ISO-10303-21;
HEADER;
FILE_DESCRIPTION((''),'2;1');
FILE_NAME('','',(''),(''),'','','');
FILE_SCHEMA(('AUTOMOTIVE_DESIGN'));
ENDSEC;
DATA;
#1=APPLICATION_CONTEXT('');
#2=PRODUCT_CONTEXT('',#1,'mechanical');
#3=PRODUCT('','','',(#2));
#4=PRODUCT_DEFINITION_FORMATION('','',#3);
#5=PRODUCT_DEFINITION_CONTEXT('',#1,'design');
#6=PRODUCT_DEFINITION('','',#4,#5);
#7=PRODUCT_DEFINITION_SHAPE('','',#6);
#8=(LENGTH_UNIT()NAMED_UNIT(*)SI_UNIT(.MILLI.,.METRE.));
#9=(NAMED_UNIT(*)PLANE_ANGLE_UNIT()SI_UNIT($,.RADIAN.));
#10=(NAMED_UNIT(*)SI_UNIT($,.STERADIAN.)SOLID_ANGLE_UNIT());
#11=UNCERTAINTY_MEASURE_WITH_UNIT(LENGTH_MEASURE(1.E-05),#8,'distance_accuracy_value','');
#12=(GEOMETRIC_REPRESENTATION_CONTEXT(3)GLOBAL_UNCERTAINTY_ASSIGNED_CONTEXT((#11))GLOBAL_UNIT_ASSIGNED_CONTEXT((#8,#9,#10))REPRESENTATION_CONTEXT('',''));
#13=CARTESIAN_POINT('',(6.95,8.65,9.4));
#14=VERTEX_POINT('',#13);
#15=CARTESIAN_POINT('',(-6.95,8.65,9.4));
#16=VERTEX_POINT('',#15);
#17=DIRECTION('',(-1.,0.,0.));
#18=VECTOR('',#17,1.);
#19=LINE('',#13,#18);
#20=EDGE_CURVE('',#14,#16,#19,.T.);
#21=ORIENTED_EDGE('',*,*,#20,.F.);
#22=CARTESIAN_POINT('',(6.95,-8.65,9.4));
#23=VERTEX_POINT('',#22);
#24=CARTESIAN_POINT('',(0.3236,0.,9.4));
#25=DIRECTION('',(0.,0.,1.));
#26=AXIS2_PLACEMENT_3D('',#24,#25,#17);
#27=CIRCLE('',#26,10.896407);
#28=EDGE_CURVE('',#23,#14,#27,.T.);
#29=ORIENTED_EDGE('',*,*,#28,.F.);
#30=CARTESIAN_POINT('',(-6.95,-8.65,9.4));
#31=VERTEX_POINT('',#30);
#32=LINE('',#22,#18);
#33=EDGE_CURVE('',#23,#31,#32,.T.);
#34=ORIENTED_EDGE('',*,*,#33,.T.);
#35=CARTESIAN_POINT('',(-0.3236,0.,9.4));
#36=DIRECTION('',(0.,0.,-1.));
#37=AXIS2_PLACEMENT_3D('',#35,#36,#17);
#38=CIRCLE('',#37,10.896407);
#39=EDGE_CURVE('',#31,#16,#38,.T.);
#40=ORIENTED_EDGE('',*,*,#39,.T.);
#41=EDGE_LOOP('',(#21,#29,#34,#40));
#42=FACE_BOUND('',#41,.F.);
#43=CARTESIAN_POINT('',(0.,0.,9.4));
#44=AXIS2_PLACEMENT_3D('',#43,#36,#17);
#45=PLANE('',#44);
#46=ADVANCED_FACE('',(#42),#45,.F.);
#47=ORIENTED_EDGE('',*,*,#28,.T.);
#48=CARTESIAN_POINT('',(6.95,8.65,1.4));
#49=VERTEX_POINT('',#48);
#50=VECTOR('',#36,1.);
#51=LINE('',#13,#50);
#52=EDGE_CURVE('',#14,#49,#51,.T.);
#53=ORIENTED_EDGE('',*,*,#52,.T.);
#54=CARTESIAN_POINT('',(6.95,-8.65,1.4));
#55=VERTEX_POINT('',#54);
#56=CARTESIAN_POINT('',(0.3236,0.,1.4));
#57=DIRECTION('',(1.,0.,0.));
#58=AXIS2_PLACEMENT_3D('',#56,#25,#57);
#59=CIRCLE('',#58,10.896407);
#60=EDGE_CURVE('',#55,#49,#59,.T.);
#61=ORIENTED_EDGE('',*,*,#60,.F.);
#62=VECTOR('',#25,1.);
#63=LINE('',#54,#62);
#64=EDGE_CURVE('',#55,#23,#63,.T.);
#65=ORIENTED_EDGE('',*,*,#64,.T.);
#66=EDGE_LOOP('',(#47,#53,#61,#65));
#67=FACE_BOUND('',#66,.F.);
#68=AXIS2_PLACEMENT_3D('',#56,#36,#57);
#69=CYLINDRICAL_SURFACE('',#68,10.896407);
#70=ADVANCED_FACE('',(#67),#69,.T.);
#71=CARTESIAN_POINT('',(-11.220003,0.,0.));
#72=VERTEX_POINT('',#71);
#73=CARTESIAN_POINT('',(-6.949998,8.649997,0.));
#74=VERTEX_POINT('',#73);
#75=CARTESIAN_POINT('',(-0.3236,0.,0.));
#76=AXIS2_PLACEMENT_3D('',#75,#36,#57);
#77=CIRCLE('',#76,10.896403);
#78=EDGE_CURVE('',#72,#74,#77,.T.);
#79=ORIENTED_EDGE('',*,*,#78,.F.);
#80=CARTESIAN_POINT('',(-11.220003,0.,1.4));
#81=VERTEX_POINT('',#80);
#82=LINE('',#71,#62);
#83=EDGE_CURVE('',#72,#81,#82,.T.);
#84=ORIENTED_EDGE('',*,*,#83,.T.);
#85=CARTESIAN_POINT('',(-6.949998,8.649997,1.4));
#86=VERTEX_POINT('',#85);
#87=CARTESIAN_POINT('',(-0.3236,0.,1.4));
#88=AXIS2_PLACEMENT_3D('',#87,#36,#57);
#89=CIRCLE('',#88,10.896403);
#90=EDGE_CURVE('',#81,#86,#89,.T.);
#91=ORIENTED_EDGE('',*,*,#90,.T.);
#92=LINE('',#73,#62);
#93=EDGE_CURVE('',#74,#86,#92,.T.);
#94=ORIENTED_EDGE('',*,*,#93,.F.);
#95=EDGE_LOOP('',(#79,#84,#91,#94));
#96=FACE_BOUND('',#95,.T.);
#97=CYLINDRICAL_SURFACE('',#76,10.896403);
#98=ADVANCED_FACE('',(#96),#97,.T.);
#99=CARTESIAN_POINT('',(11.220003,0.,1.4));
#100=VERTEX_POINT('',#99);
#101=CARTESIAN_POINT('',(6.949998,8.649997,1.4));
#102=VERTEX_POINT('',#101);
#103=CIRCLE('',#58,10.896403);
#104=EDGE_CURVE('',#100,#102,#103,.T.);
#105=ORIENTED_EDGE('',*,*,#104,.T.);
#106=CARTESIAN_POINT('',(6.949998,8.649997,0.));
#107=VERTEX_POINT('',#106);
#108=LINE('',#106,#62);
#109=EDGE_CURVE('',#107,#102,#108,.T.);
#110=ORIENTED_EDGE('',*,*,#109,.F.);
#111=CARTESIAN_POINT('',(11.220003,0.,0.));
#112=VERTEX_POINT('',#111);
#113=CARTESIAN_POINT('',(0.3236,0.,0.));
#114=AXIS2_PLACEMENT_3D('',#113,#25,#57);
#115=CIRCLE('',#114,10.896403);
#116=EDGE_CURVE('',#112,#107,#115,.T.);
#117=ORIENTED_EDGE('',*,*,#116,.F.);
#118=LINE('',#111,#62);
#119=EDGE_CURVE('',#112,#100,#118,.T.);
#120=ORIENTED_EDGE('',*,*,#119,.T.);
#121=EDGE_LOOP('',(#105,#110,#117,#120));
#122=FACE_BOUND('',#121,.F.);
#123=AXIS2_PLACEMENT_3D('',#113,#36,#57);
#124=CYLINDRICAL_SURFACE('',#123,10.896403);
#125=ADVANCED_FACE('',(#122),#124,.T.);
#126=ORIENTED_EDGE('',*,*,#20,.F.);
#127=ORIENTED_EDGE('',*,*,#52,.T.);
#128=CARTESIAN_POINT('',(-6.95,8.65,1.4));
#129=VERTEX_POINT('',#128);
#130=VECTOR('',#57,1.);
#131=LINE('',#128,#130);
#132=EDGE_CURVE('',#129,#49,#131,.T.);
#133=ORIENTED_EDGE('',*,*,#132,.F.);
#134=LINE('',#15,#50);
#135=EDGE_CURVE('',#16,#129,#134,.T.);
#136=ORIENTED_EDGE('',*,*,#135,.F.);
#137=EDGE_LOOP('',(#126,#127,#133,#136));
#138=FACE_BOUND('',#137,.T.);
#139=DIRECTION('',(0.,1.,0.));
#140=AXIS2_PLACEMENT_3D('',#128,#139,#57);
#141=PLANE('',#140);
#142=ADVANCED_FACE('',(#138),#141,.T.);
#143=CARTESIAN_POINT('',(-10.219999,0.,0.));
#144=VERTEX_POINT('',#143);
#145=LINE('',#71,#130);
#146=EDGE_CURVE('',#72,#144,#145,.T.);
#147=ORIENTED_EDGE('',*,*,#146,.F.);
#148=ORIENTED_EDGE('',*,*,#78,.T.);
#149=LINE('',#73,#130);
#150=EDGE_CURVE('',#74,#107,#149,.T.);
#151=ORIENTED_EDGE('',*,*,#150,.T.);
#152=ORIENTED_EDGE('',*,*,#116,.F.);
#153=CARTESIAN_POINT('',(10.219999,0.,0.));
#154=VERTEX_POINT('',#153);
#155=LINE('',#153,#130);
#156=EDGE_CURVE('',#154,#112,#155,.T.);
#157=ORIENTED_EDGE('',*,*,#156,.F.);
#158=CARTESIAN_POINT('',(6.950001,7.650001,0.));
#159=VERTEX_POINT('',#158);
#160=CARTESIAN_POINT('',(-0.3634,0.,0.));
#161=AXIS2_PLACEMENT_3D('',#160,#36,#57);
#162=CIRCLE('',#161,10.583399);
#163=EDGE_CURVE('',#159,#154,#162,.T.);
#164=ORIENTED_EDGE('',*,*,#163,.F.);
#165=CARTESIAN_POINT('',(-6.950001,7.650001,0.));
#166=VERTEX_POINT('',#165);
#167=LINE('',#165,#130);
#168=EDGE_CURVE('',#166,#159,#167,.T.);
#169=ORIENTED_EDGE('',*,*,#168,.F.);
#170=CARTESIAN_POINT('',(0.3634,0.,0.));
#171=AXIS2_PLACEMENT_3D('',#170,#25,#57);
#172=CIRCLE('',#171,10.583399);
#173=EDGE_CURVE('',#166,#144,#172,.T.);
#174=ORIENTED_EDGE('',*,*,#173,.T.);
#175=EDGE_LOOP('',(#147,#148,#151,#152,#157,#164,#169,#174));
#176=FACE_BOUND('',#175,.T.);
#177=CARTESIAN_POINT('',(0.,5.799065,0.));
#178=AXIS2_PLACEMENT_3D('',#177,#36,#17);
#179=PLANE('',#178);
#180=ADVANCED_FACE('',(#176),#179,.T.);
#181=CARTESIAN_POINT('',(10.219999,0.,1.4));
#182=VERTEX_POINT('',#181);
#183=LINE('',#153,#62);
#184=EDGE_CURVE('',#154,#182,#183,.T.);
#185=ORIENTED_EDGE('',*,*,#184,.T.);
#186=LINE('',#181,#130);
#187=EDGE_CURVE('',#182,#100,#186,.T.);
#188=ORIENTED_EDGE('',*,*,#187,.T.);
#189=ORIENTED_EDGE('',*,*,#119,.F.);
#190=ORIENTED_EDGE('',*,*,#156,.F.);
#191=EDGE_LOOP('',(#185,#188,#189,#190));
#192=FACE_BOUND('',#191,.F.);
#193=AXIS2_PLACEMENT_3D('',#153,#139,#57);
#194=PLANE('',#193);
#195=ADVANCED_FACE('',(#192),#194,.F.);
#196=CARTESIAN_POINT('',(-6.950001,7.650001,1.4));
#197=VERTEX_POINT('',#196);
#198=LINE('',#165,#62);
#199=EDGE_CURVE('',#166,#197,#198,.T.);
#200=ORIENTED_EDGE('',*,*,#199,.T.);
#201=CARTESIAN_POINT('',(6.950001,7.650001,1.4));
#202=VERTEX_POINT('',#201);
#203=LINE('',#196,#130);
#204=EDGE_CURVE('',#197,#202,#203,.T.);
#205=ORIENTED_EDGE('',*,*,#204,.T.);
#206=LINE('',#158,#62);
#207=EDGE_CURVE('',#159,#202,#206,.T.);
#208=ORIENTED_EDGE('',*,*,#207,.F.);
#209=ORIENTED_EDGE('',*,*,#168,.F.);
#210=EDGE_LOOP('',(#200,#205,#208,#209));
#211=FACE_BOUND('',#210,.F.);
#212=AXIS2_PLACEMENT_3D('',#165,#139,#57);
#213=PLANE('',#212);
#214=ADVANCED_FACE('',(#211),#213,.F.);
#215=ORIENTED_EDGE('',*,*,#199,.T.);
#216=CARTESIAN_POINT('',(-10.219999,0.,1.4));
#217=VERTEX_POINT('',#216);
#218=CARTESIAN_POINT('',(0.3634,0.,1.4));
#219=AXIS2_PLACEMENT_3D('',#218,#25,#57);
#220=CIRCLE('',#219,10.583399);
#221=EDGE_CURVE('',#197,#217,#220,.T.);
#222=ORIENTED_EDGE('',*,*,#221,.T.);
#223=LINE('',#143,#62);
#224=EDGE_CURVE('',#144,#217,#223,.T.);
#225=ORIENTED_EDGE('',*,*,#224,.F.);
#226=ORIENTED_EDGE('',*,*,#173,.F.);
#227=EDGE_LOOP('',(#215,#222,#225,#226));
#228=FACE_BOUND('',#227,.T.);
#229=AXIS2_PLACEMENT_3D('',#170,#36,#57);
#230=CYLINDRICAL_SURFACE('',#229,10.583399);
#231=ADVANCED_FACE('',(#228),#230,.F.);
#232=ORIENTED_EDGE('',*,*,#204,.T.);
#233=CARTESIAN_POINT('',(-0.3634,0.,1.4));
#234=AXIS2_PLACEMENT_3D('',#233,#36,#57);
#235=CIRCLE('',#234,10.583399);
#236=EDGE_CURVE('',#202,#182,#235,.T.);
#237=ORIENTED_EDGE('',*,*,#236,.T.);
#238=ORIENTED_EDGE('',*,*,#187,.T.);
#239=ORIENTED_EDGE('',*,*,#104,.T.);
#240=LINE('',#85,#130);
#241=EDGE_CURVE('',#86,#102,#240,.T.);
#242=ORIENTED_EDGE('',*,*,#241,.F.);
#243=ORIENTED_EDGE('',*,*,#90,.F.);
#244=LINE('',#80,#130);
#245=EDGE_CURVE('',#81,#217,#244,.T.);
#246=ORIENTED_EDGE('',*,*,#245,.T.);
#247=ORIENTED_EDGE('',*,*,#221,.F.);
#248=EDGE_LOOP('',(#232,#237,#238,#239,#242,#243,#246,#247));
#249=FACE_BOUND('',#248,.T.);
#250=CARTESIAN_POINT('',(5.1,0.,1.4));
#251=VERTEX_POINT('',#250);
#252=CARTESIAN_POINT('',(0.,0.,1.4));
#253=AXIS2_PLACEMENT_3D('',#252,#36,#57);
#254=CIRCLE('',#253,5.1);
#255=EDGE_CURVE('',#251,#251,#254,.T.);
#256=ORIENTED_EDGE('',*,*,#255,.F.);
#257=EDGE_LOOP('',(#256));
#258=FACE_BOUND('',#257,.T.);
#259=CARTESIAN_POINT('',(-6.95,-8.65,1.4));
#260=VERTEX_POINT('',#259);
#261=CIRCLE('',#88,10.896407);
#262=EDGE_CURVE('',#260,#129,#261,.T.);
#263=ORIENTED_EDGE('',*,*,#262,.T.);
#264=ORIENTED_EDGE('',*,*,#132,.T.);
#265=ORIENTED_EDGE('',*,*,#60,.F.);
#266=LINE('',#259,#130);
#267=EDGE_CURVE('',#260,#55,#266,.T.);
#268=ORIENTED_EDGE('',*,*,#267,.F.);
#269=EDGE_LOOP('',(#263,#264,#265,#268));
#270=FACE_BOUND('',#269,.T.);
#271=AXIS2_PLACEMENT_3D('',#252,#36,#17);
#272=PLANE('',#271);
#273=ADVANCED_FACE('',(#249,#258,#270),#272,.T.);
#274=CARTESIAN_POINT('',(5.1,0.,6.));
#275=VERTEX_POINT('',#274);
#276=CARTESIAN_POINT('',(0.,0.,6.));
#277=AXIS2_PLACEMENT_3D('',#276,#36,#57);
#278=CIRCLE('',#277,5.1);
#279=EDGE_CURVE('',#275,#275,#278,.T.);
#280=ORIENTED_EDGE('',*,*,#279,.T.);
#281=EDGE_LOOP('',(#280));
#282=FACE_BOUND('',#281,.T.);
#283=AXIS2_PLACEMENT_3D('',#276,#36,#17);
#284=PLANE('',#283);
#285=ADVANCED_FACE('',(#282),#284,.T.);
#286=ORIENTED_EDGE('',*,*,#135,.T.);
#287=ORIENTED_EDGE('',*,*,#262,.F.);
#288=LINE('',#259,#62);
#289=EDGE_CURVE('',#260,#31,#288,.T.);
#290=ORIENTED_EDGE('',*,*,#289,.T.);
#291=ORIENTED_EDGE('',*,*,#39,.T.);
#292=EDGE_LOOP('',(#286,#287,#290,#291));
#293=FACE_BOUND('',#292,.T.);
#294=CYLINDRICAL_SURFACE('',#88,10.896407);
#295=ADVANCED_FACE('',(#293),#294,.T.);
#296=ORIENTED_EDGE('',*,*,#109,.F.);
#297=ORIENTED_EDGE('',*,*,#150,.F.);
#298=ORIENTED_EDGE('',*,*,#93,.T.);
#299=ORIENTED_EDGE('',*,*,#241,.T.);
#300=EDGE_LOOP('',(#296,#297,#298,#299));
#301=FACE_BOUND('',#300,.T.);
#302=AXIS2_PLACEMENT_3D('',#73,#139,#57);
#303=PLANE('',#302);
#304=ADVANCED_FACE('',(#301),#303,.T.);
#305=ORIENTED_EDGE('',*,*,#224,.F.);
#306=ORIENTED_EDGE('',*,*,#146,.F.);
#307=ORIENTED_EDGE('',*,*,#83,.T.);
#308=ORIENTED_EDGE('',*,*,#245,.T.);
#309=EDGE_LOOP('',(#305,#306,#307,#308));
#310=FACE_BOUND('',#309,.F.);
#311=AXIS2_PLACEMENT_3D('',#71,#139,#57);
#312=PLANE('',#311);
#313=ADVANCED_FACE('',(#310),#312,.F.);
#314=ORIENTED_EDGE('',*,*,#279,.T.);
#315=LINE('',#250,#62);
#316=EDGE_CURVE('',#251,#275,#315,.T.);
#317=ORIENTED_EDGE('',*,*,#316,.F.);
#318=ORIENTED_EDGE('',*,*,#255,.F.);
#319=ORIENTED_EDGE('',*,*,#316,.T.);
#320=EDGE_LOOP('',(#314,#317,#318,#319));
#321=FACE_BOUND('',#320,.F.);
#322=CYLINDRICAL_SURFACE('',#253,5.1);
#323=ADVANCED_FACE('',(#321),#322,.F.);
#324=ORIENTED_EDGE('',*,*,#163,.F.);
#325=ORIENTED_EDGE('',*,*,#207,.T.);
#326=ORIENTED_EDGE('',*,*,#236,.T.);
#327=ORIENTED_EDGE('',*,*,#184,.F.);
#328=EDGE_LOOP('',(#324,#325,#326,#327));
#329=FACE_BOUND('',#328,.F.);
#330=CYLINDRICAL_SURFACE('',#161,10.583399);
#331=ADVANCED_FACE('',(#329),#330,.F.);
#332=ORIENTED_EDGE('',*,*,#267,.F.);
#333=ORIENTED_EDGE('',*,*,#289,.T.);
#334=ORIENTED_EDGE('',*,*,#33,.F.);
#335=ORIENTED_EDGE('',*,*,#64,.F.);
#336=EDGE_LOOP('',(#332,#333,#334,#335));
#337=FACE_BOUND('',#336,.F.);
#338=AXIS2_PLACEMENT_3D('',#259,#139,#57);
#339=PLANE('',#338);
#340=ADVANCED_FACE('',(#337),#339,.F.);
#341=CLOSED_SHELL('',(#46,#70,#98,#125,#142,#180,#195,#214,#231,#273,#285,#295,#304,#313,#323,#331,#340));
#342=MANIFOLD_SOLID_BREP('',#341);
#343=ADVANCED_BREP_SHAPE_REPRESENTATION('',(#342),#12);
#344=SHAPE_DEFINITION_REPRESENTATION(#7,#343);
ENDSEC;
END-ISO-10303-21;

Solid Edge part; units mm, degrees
sketch "Sketch1" plane through (0, 0, 0) normal (0, 0, 1) x (1, 0, 0)
  line L0 (-6.95, 8.65) -> (6.95, 8.65)
  arc A0 (11.22, 0) -> (6.95, 8.65) centre (0.3236, 0) ccw
  line L1 (10.22, 0) -> (11.22, 0)
  arc A1 (6.95, 7.65) -> (10.22, 0) centre (-0.3634, 0) cw
  line L2 (-6.95, 7.65) -> (6.95, 7.65)
  arc A2 (-6.95, 7.65) -> (-10.22, 0) centre (0.3634, 0) ccw
  line L3 (-11.22, 0) -> (-10.22, 0)
  arc A3 (-11.22, 0) -> (-6.95, 8.65) centre (-0.3236, 0) cw
extrude "Protrusion1" add sketch "Sketch1" along normal blind 1.4
sketch "Sketch2" plane through (0, 4.325, 1.4) normal (0, 0, 1) x (1, 0, 0)
  arc A0 (-6.95, -12.975) -> (-6.95, 4.325) centre (-0.3236, -4.325) cw
  line L0 (-6.95, 4.325) -> (6.95, 4.325)
  arc A1 (6.95, -12.975) -> (6.95, 4.325) centre (0.3236, -4.325) ccw
  line L1 (-6.95, -12.975) -> (6.95, -12.975)
extrude "ExtrudedProtrusion_2" add sketch "Sketch2" along normal blind 5
sketch "Sketch3" plane through (0, -0.5, 1.4) normal (0, 0, -1) x (1, 0, 0)
  circle A0 centre (0, -0.5) radius 5.1
extrude "ExtrudedCutout_1" cut sketch "Sketch3" against normal blind 4.6
sketch "Sketch4" plane through (0, 0, 6.4) normal (0, 0, 1) x (-1, 0, 0)
  line L0 (-6.95, 8.65) -> (6.95, 8.65)
  arc A0 (6.95, 8.65) -> (6.95, -8.65) centre (0.3236, 0) cw
  line L1 (-6.95, -8.65) -> (6.95, -8.65)
  arc A1 (-6.95, 8.65) -> (-6.95, -8.65) centre (-0.3236, 0) ccw
extrude "ExtrudedProtrusion_3" add sketch "Sketch4" along normal blind 3
